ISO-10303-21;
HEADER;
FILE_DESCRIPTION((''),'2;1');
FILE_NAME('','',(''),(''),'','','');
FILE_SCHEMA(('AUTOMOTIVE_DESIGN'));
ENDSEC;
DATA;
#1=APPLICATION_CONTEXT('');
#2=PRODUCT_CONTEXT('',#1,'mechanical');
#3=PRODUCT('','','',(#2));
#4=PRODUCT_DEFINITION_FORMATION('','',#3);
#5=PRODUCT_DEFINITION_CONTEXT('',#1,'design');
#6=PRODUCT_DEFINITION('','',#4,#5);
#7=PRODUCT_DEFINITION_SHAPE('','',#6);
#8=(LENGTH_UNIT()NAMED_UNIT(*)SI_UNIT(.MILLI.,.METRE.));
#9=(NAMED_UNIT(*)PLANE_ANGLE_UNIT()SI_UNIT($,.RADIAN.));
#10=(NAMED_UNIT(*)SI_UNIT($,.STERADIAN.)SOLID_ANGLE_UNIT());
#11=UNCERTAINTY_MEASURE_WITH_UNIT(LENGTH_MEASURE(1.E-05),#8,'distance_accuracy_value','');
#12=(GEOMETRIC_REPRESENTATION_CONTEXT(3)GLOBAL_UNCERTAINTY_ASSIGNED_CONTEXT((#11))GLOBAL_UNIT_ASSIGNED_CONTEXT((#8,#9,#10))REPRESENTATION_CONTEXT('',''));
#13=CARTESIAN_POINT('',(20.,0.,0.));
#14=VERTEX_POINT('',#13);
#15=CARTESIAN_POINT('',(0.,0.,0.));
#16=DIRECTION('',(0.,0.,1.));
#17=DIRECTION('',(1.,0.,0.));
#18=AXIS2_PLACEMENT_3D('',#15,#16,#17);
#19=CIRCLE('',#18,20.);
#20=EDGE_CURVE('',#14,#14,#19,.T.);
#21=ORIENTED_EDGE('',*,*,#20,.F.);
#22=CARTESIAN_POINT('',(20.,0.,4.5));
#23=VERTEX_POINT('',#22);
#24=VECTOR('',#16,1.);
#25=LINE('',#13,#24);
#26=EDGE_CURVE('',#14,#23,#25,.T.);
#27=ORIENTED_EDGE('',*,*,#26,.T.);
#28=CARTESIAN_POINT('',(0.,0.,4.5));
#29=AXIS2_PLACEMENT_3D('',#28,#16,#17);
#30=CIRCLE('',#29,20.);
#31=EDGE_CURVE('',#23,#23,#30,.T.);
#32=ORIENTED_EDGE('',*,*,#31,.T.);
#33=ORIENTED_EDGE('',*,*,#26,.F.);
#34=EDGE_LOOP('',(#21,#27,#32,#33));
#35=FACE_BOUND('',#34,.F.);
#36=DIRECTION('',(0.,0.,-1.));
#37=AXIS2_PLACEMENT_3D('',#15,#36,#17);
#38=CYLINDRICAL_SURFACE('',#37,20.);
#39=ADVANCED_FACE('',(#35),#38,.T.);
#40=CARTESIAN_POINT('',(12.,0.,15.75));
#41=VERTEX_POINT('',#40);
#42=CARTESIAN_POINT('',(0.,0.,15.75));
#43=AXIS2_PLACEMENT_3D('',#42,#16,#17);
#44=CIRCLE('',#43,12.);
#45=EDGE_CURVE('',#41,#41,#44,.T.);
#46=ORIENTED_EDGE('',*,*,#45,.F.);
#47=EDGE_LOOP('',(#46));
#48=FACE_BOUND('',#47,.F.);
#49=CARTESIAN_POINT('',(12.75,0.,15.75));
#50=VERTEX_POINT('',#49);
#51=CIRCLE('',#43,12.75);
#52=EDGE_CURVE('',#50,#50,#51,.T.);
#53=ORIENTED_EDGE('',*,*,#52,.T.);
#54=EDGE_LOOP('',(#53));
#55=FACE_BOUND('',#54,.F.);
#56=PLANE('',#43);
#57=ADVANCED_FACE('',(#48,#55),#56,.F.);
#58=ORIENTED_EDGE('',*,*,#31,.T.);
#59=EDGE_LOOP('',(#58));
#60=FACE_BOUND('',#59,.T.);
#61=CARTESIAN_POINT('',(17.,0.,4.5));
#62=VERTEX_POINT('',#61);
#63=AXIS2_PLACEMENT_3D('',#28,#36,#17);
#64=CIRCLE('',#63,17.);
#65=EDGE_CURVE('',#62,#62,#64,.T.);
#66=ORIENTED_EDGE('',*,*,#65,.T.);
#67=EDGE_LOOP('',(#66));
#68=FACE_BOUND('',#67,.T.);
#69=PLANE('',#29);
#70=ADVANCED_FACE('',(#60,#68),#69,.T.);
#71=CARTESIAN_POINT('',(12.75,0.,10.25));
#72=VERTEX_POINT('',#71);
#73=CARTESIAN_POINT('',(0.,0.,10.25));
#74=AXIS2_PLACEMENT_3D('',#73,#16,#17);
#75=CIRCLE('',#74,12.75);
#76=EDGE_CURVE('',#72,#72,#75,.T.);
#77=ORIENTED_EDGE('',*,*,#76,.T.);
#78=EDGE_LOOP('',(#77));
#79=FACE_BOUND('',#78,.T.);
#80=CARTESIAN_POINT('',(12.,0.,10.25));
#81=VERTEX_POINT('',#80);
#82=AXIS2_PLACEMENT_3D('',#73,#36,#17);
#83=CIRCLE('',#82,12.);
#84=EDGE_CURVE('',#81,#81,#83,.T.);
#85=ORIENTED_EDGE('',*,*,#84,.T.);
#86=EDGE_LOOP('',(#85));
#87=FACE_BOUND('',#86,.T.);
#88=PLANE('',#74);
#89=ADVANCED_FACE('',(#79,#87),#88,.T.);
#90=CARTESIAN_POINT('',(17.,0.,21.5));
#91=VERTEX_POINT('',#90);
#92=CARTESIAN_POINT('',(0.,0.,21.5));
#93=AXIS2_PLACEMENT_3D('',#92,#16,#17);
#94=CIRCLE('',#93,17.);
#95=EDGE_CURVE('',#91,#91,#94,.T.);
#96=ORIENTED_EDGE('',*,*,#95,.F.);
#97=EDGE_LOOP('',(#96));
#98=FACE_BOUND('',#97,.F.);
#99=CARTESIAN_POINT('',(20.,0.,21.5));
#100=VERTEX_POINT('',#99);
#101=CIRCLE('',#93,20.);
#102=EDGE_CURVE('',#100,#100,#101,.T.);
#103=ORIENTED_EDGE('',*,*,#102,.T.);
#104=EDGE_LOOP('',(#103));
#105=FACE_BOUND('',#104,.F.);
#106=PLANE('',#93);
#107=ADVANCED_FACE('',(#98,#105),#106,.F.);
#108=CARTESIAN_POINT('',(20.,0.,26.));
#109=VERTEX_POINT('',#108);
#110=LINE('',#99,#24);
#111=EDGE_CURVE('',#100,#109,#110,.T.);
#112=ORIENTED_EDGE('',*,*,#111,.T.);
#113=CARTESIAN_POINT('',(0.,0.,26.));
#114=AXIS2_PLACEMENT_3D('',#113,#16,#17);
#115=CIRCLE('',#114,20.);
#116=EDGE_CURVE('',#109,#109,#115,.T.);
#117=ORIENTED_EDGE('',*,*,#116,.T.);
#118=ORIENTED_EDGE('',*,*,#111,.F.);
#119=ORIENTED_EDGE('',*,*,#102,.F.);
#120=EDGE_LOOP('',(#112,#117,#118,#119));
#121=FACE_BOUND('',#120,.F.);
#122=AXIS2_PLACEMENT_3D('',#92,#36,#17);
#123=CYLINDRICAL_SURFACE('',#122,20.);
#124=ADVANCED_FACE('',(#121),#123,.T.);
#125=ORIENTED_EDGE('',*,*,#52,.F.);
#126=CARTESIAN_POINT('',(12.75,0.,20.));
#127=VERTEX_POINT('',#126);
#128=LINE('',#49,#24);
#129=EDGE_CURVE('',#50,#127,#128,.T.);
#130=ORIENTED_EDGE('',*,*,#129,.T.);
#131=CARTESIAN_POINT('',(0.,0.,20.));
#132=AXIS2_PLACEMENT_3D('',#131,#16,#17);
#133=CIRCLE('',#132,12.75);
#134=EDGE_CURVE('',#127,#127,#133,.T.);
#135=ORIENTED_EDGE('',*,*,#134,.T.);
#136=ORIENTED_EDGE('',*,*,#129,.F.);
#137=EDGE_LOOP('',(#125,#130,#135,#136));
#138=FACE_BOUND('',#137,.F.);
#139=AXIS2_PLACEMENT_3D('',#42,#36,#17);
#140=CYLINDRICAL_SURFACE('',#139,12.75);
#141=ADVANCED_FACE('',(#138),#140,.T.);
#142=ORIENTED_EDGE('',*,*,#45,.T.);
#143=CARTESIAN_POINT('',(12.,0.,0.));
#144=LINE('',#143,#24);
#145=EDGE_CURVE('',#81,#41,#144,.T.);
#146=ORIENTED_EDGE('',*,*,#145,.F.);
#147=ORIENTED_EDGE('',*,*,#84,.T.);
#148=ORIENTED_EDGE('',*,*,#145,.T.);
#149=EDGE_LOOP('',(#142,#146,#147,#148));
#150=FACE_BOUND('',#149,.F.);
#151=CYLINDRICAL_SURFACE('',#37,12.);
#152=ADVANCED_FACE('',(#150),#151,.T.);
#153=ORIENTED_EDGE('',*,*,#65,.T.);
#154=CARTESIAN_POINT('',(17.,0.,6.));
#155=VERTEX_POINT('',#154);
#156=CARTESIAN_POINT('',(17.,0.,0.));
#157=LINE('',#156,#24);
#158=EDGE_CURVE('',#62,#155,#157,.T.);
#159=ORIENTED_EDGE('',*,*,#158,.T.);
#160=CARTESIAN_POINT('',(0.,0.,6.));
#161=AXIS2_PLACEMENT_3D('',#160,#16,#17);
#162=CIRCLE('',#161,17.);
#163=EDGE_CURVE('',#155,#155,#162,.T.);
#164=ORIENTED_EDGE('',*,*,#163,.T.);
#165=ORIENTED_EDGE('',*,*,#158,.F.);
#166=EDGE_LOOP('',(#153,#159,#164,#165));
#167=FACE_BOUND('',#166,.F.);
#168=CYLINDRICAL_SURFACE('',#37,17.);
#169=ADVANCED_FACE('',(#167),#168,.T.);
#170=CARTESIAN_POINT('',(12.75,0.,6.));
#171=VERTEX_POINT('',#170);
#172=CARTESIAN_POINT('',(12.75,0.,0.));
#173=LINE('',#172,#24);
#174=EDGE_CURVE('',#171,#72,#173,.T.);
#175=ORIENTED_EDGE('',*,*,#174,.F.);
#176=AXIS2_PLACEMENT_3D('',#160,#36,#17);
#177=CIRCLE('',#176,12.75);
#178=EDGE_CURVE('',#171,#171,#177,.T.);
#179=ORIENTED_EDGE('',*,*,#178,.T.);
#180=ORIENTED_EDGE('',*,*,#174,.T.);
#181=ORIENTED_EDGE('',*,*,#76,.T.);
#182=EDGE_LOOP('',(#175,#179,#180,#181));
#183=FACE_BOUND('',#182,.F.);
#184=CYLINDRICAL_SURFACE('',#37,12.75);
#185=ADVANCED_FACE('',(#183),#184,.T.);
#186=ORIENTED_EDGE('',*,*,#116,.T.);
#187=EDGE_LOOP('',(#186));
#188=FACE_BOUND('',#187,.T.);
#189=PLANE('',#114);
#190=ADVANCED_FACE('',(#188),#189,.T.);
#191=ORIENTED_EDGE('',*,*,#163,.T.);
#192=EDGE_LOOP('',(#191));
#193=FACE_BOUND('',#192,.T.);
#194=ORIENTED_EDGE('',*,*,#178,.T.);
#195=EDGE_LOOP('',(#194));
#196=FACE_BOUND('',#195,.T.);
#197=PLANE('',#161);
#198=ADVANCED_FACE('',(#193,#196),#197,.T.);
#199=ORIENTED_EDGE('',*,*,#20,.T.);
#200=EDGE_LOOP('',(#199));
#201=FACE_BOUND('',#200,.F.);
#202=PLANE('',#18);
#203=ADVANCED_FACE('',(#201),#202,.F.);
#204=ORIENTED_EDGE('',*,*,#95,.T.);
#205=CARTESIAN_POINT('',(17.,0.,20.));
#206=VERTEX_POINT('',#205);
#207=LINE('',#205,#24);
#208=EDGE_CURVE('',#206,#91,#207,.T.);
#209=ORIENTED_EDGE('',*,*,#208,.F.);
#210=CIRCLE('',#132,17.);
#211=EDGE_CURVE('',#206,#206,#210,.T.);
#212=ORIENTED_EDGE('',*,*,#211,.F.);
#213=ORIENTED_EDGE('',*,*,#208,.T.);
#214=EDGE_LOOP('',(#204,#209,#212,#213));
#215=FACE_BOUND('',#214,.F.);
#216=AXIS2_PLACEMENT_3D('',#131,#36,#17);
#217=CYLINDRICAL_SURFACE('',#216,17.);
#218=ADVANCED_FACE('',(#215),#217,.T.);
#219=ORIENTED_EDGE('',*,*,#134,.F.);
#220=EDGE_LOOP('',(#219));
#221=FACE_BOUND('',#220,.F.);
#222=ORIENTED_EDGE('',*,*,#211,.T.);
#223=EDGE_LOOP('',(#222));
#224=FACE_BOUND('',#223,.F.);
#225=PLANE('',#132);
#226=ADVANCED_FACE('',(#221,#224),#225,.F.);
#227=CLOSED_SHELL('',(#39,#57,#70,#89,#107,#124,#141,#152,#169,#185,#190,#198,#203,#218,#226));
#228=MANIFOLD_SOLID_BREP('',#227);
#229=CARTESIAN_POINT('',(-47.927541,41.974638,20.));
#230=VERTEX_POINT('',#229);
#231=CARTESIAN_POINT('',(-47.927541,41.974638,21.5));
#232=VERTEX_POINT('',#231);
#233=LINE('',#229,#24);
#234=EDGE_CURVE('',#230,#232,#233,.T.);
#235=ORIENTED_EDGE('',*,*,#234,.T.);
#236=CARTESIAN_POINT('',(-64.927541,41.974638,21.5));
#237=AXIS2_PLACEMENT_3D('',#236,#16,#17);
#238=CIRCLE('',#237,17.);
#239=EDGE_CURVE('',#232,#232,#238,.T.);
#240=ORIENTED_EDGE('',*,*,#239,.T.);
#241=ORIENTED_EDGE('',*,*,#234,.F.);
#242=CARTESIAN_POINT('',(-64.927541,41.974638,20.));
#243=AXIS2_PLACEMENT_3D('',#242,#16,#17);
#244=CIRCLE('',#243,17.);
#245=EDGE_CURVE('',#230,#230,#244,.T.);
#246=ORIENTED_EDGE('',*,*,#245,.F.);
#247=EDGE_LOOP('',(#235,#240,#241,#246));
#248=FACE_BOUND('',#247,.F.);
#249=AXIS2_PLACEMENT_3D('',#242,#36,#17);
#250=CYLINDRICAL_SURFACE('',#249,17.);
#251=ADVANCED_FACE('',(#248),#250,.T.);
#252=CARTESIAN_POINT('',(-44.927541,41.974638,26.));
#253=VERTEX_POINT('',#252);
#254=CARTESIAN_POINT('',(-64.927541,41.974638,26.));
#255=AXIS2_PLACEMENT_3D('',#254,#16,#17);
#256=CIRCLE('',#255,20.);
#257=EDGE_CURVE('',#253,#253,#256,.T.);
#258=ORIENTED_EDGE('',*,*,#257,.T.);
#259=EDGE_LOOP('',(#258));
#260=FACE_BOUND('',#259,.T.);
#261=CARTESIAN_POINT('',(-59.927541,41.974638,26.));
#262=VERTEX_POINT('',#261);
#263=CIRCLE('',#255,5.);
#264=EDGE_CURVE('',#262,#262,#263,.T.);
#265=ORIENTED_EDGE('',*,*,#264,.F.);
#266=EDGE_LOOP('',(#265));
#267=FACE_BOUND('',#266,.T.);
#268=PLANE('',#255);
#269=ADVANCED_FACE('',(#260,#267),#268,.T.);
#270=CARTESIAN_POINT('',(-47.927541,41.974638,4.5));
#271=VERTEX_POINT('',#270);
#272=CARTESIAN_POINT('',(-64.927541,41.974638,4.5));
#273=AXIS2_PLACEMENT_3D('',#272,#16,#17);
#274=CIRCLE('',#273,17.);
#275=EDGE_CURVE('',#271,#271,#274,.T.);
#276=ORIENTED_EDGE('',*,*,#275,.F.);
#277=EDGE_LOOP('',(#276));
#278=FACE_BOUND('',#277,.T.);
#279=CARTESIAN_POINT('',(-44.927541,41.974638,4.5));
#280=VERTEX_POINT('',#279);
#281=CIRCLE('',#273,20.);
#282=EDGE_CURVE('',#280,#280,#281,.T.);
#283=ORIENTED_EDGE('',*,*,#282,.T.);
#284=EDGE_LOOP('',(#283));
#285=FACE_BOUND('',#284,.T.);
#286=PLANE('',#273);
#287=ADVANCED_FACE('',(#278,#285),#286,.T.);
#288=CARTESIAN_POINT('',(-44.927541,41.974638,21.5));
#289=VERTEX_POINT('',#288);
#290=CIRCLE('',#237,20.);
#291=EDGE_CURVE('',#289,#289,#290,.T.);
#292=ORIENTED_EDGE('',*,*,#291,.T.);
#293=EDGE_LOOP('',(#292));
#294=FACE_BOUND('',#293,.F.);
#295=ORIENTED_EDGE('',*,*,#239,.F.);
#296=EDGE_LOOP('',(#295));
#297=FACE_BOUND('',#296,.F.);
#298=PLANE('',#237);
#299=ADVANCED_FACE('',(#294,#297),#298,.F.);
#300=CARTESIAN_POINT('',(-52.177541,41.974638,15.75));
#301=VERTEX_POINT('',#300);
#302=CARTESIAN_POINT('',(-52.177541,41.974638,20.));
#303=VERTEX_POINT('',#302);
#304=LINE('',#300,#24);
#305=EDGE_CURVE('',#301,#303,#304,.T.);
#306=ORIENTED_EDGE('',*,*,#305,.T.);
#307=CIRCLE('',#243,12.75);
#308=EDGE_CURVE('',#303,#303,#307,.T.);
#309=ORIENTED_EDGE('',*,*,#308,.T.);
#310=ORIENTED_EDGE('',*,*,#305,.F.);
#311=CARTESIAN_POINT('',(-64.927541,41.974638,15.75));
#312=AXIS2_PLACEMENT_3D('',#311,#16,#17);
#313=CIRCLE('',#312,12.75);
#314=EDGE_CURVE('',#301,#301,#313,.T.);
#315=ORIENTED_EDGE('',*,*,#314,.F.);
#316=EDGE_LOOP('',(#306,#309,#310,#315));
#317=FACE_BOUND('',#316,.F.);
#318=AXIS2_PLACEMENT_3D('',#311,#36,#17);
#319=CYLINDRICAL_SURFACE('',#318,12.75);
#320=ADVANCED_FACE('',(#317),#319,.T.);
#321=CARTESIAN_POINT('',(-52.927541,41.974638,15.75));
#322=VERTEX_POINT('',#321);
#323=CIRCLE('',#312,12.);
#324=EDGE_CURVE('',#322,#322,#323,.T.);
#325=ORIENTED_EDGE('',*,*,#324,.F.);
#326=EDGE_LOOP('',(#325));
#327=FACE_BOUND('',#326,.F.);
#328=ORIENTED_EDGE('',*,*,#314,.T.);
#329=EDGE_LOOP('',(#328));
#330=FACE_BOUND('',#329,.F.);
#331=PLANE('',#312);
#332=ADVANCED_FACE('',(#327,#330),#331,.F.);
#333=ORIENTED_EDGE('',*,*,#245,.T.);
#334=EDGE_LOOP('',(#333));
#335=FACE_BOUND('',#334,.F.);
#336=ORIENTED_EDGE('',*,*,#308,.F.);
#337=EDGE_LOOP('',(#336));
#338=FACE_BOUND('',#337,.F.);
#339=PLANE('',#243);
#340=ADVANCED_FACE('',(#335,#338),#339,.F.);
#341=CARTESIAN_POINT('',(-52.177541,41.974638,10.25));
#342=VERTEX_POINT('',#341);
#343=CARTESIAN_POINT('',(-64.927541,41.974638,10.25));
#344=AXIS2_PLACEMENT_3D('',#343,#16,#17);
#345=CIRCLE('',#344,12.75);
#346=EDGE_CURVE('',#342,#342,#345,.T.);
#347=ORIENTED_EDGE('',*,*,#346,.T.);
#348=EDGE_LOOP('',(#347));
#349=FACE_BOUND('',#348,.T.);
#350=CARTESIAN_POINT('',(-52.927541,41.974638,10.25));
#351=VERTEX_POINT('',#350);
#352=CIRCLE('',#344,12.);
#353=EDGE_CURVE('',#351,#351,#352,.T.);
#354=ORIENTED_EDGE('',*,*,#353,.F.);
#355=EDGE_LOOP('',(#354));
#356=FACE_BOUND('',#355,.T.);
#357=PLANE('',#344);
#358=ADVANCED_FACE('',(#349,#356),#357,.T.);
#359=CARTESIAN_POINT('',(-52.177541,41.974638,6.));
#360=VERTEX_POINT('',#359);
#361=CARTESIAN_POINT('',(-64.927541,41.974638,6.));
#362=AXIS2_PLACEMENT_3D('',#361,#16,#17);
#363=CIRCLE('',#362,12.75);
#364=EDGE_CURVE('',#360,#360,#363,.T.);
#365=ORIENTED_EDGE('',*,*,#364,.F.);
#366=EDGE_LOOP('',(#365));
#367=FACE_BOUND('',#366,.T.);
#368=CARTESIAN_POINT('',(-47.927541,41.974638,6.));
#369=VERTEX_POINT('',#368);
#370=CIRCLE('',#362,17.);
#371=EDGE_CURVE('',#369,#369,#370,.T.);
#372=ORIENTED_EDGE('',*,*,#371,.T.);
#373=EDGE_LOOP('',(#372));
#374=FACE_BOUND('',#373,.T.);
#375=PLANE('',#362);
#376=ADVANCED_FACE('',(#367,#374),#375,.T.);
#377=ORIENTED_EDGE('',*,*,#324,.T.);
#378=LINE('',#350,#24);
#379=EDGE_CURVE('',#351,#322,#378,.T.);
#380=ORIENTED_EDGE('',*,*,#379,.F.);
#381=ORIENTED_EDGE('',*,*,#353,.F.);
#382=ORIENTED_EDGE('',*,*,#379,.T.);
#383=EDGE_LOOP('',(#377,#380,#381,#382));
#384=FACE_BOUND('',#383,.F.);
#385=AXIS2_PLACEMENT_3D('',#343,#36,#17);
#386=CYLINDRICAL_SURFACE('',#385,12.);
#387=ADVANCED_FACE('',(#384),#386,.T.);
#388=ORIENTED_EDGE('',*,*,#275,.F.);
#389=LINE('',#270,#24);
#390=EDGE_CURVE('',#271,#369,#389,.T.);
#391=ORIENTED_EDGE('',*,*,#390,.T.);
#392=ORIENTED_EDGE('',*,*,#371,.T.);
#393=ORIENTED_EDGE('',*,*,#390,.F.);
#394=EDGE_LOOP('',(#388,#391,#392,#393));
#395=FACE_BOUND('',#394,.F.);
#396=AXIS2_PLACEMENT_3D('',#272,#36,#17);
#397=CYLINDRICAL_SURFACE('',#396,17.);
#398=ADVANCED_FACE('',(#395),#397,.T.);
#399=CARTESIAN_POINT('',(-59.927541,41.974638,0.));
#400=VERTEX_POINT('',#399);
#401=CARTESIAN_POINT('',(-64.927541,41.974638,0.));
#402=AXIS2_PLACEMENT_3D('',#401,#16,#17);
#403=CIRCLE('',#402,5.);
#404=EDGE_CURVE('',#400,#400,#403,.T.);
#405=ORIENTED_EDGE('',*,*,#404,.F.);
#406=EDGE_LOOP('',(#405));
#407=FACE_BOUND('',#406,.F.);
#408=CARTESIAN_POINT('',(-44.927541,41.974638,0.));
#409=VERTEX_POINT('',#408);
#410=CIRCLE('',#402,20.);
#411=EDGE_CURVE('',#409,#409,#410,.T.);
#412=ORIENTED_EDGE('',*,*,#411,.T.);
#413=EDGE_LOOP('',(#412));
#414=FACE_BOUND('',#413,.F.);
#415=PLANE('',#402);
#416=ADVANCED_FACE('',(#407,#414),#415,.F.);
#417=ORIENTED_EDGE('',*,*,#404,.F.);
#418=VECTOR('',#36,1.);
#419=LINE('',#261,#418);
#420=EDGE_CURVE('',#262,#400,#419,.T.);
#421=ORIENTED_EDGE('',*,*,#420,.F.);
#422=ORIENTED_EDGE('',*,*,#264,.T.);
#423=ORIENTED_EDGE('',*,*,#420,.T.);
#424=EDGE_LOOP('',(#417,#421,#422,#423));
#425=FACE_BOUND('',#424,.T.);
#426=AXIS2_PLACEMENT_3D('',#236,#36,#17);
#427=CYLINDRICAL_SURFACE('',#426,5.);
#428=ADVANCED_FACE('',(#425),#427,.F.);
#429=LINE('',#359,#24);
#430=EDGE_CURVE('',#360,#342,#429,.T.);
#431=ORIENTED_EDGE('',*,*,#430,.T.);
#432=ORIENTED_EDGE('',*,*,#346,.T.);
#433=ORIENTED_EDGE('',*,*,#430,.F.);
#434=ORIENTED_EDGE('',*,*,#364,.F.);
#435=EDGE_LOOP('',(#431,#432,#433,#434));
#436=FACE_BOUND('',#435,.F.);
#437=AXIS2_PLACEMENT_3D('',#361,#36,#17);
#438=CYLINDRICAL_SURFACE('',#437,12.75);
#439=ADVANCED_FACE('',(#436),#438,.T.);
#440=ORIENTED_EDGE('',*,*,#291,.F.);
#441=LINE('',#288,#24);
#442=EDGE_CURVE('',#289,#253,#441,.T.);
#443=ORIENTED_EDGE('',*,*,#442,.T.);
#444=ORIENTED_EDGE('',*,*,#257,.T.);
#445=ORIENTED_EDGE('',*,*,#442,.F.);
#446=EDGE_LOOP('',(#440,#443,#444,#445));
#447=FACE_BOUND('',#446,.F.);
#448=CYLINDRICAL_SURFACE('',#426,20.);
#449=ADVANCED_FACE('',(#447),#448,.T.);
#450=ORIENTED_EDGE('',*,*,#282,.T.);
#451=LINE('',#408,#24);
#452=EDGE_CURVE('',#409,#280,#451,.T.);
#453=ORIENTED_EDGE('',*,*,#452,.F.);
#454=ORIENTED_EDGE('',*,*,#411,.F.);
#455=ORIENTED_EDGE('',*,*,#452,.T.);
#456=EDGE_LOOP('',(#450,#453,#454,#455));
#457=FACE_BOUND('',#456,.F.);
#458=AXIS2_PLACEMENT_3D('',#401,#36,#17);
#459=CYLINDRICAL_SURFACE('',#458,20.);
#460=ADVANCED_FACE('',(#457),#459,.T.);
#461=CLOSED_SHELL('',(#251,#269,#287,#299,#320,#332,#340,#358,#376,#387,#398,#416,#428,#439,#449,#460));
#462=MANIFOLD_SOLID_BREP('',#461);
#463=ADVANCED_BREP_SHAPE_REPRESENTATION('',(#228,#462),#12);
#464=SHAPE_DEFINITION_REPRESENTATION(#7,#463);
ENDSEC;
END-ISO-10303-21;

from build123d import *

# Parameters (mm, degrees)
F0_R      = 20
F1_DEPTH  = 4.5
F2_R      = 17
F3_DEPTH  = 6
F4_R      = 12.75
F5_DEPTH  = 10.25
F6_R      = 12
F7_DEPTH  = 15.75
F8_R      = 12.75
F9_DEPTH  = 4.25
F10_R     = 17
F11_DEPTH = 1.5
F12_R     = 20
F13_DEPTH = 4.5
F14_R     = 20
F14_R_2   = 5
F15_DEPTH = 4.5
F16_R     = 17
F16_R_2   = 5
F17_DEPTH = 1.5
F18_R     = 12.75
F18_R_2   = 5
F19_DEPTH = 4.25
F20_R     = 12
F20_R_2   = 5
F21_DEPTH = 5.5
F22_R     = 12.75
F22_R_2   = 5
F23_DEPTH = 4.25
F24_R     = 17
F24_R_2   = 5
F25_DEPTH = 1.5
F26_R     = 20
F26_R_2   = 5
F27_DEPTH = 4.5


with BuildPart() as f1:
    # F0 (on Top) → F1 (new body)
    with BuildSketch(Plane.XY):
        Circle(F0_R)
    extrude(amount=F1_DEPTH)

    # F2 (on Top) → F3 (join)
    with BuildSketch(Plane.XY):
        Circle(F2_R)
    extrude(amount=F3_DEPTH)

    # F4 (on Top) → F5 (join)
    with BuildSketch(Plane.XY):
        Circle(F4_R)
    extrude(amount=F5_DEPTH)

    # F6 (on Top) → F7 (join)
    with BuildSketch(Plane.XY):
        Circle(F6_R)
    extrude(amount=F7_DEPTH)

    # F8 (on face) → F9 (join)
    with BuildSketch(Plane.XY.offset(15.75)):
        Circle(F8_R)
    extrude(amount=F9_DEPTH)

    # F10 (on face) → F11 (join)
    with BuildSketch(Plane.XY.offset(20)):
        Circle(F10_R)
    extrude(amount=F11_DEPTH)

    # F12 (on face) → F13 (join)
    with BuildSketch(Plane.XY.offset(21.5)):
        Circle(F12_R)
    extrude(amount=F13_DEPTH)


with BuildPart() as f15:
    # F14 (on Top) → F15 (new body)
    with BuildSketch(Plane.XY):
        with Locations((-64.9275407195, 41.9746376574)):
            Circle(F14_R)
        with Locations((-64.9275407195, 41.9746376574)):
            Circle(F14_R_2, mode=Mode.SUBTRACT)
    extrude(amount=F15_DEPTH)

    # F16 (on face) → F17 (join)
    with BuildSketch(Plane.XY.offset(4.5)):
        with Locations((-64.9275407195, 41.9746376574)):
            Circle(F16_R)
        with Locations((-64.9275407195, 41.9746376574)):
            Circle(F16_R_2, mode=Mode.SUBTRACT)
    extrude(amount=F17_DEPTH)

    # F18 (on face) → F19 (join)
    with BuildSketch(Plane.XY.offset(6)):
        with Locations((-64.9275407195, 41.9746376574)):
            Circle(F18_R)
        with Locations((-64.9275407195, 41.9746376574)):
            Circle(F18_R_2, mode=Mode.SUBTRACT)
    extrude(amount=F19_DEPTH)

    # F20 (on face) → F21 (join)
    with BuildSketch(Plane.XY.offset(10.25)):
        with Locations((-64.9275407195, 41.9746376574)):
            Circle(F20_R)
        with Locations((-64.9275407195, 41.9746376574)):
            Circle(F20_R_2, mode=Mode.SUBTRACT)
    extrude(amount=F21_DEPTH)

    # F22 (on face) → F23 (join)
    with BuildSketch(Plane.XY.offset(15.75)):
        with Locations((-64.9275407195, 41.9746376574)):
            Circle(F22_R)
        with Locations((-64.9275407195, 41.9746376574)):
            Circle(F22_R_2, mode=Mode.SUBTRACT)
    extrude(amount=F23_DEPTH)

    # F24 (on face) → F25 (join)
    with BuildSketch(Plane.XY.offset(20)):
        with Locations((-64.9275407195, 41.9746376574)):
            Circle(F24_R)
        with Locations((-64.9275407195, 41.9746376574)):
            Circle(F24_R_2, mode=Mode.SUBTRACT)
    extrude(amount=F25_DEPTH)

    # F26 (on face) → F27 (join)
    with BuildSketch(Plane.XY.offset(21.5)):
        with Locations((-64.9275407195, 41.9746376574)):
            Circle(F26_R)
        with Locations((-64.9275407195, 41.9746376574)):
            Circle(F26_R_2, mode=Mode.SUBTRACT)
    extrude(amount=F27_DEPTH)


solid = Compound([f1.part, f15.part])
